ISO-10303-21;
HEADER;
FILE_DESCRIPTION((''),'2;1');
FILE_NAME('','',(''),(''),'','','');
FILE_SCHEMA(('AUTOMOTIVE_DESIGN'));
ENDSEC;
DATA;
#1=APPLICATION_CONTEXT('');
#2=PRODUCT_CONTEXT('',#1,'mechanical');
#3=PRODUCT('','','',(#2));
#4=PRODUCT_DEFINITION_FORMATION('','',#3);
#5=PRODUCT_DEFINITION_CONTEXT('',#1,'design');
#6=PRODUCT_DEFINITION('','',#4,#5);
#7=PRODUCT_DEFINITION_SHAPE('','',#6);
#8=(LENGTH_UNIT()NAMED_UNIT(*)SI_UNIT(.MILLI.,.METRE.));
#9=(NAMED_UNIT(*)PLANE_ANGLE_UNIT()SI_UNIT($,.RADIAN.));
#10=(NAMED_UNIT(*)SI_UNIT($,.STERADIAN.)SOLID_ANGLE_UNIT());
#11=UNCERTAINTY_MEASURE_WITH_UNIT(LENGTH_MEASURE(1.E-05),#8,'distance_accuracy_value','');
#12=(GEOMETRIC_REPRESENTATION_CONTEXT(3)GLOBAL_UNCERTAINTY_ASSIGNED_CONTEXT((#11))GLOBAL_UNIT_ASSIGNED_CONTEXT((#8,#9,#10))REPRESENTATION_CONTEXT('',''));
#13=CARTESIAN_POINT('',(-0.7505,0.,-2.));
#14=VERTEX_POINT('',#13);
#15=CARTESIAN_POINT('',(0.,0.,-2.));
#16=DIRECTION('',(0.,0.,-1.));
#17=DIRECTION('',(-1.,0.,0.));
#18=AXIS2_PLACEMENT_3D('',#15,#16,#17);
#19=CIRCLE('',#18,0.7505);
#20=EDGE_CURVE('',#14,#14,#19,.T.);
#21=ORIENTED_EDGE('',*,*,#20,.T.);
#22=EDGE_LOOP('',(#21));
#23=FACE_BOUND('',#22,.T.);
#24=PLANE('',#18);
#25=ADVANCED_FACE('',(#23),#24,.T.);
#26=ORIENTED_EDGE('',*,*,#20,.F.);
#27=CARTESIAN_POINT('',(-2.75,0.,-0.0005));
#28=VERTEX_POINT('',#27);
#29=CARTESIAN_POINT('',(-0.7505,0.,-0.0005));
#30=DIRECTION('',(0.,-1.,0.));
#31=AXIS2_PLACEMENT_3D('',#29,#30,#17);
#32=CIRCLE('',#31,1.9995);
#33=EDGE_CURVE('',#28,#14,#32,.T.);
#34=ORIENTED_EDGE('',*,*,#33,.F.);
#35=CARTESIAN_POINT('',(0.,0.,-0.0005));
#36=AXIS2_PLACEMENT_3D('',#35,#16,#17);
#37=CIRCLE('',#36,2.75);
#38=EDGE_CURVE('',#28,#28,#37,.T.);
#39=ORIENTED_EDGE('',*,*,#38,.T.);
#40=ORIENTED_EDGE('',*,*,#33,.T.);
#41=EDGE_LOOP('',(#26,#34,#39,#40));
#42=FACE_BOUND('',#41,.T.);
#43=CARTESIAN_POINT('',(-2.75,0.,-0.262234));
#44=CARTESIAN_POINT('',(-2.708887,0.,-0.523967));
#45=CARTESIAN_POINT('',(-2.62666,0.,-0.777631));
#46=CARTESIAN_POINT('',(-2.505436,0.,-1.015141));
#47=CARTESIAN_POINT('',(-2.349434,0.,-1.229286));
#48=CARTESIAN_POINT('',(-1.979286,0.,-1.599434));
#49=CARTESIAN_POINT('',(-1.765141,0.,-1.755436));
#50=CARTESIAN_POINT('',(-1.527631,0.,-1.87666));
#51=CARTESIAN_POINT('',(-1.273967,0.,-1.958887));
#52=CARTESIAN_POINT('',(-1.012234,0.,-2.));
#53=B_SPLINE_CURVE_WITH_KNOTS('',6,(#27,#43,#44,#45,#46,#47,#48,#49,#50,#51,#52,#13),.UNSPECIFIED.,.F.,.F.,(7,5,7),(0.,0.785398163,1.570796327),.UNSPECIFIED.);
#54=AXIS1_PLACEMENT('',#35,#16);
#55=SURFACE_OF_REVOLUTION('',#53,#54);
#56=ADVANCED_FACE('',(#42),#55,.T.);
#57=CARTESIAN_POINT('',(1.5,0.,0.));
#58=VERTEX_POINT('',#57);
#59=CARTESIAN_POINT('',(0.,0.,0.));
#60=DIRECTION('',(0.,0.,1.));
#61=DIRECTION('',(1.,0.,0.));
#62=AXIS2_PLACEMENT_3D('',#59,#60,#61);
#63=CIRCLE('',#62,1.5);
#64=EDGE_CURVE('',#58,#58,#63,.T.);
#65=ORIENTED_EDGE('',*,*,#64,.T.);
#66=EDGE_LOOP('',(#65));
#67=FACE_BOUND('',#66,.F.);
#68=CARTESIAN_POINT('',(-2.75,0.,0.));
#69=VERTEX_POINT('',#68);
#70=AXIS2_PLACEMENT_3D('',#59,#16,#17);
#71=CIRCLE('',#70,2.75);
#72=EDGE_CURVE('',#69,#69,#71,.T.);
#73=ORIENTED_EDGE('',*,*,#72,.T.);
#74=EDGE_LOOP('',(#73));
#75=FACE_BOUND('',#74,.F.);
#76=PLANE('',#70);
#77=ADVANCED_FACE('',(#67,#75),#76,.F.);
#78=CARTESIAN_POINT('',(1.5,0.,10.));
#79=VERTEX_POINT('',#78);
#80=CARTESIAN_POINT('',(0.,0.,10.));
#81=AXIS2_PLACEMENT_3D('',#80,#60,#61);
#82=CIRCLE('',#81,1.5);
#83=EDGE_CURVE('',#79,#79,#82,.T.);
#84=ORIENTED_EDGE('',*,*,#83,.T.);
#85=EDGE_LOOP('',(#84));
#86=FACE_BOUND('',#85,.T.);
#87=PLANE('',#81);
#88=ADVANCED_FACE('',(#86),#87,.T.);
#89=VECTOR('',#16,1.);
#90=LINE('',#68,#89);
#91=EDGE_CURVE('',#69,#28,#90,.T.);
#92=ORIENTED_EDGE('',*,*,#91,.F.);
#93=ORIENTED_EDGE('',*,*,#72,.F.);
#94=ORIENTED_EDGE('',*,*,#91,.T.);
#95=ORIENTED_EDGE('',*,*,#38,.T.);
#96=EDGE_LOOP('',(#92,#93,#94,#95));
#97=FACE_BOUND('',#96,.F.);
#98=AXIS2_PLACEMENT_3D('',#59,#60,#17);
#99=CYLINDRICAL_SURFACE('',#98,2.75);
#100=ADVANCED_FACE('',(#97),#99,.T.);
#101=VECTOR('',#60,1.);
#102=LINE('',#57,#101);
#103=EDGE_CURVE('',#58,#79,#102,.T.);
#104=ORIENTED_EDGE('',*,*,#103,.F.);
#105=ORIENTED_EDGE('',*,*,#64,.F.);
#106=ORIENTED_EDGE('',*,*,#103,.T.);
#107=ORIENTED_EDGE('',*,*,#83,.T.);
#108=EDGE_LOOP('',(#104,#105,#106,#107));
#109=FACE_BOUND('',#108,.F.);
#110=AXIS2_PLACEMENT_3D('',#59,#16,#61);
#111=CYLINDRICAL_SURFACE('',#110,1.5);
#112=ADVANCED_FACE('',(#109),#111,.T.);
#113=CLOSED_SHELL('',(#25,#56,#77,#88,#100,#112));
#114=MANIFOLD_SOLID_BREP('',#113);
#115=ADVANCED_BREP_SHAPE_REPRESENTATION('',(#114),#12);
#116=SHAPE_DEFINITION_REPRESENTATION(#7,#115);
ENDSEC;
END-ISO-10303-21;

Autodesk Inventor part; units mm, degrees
ref_plane "YZ Plane" through (0, 0, 0) normal (1, 0, 0) x (0, 1, 0)
ref_plane "XZ Plane" through (0, 0, 0) normal (0, 1, 0) x (-1, 0, 0)
ref_plane "XY Plane" through (0, 0, 0) normal (0, 0, 1) x (1, 0, 0)
sketch "スケッチ1" plane through (0, 0, 0) normal (0, 0, 1) x (1, 0, 0)
  circle A0 centre (0, 0) radius 1.5
  dimension "d0" = 3
extrude "押し出し1" add sketch "スケッチ1" along normal blind 10
sketch "スケッチ2" plane through (0, 0, 0) normal (0, 0, -1) x (-1, 0, 0)
  circle A0 centre (0, 0) radius 2.75
  dimension "d3" = 5.5
extrude "押し出し2" add sketch "スケッチ2" along normal blind 2
fillet "フィレット1" radius 2 1 edges at (2.75, 0, -2)
thread "ねじ1" size "M3x0.5" class "6g" standard "ANSI Metric M Profile" full length
properties part number "ネジm3,10" material "鋼、高強度、低合金"
